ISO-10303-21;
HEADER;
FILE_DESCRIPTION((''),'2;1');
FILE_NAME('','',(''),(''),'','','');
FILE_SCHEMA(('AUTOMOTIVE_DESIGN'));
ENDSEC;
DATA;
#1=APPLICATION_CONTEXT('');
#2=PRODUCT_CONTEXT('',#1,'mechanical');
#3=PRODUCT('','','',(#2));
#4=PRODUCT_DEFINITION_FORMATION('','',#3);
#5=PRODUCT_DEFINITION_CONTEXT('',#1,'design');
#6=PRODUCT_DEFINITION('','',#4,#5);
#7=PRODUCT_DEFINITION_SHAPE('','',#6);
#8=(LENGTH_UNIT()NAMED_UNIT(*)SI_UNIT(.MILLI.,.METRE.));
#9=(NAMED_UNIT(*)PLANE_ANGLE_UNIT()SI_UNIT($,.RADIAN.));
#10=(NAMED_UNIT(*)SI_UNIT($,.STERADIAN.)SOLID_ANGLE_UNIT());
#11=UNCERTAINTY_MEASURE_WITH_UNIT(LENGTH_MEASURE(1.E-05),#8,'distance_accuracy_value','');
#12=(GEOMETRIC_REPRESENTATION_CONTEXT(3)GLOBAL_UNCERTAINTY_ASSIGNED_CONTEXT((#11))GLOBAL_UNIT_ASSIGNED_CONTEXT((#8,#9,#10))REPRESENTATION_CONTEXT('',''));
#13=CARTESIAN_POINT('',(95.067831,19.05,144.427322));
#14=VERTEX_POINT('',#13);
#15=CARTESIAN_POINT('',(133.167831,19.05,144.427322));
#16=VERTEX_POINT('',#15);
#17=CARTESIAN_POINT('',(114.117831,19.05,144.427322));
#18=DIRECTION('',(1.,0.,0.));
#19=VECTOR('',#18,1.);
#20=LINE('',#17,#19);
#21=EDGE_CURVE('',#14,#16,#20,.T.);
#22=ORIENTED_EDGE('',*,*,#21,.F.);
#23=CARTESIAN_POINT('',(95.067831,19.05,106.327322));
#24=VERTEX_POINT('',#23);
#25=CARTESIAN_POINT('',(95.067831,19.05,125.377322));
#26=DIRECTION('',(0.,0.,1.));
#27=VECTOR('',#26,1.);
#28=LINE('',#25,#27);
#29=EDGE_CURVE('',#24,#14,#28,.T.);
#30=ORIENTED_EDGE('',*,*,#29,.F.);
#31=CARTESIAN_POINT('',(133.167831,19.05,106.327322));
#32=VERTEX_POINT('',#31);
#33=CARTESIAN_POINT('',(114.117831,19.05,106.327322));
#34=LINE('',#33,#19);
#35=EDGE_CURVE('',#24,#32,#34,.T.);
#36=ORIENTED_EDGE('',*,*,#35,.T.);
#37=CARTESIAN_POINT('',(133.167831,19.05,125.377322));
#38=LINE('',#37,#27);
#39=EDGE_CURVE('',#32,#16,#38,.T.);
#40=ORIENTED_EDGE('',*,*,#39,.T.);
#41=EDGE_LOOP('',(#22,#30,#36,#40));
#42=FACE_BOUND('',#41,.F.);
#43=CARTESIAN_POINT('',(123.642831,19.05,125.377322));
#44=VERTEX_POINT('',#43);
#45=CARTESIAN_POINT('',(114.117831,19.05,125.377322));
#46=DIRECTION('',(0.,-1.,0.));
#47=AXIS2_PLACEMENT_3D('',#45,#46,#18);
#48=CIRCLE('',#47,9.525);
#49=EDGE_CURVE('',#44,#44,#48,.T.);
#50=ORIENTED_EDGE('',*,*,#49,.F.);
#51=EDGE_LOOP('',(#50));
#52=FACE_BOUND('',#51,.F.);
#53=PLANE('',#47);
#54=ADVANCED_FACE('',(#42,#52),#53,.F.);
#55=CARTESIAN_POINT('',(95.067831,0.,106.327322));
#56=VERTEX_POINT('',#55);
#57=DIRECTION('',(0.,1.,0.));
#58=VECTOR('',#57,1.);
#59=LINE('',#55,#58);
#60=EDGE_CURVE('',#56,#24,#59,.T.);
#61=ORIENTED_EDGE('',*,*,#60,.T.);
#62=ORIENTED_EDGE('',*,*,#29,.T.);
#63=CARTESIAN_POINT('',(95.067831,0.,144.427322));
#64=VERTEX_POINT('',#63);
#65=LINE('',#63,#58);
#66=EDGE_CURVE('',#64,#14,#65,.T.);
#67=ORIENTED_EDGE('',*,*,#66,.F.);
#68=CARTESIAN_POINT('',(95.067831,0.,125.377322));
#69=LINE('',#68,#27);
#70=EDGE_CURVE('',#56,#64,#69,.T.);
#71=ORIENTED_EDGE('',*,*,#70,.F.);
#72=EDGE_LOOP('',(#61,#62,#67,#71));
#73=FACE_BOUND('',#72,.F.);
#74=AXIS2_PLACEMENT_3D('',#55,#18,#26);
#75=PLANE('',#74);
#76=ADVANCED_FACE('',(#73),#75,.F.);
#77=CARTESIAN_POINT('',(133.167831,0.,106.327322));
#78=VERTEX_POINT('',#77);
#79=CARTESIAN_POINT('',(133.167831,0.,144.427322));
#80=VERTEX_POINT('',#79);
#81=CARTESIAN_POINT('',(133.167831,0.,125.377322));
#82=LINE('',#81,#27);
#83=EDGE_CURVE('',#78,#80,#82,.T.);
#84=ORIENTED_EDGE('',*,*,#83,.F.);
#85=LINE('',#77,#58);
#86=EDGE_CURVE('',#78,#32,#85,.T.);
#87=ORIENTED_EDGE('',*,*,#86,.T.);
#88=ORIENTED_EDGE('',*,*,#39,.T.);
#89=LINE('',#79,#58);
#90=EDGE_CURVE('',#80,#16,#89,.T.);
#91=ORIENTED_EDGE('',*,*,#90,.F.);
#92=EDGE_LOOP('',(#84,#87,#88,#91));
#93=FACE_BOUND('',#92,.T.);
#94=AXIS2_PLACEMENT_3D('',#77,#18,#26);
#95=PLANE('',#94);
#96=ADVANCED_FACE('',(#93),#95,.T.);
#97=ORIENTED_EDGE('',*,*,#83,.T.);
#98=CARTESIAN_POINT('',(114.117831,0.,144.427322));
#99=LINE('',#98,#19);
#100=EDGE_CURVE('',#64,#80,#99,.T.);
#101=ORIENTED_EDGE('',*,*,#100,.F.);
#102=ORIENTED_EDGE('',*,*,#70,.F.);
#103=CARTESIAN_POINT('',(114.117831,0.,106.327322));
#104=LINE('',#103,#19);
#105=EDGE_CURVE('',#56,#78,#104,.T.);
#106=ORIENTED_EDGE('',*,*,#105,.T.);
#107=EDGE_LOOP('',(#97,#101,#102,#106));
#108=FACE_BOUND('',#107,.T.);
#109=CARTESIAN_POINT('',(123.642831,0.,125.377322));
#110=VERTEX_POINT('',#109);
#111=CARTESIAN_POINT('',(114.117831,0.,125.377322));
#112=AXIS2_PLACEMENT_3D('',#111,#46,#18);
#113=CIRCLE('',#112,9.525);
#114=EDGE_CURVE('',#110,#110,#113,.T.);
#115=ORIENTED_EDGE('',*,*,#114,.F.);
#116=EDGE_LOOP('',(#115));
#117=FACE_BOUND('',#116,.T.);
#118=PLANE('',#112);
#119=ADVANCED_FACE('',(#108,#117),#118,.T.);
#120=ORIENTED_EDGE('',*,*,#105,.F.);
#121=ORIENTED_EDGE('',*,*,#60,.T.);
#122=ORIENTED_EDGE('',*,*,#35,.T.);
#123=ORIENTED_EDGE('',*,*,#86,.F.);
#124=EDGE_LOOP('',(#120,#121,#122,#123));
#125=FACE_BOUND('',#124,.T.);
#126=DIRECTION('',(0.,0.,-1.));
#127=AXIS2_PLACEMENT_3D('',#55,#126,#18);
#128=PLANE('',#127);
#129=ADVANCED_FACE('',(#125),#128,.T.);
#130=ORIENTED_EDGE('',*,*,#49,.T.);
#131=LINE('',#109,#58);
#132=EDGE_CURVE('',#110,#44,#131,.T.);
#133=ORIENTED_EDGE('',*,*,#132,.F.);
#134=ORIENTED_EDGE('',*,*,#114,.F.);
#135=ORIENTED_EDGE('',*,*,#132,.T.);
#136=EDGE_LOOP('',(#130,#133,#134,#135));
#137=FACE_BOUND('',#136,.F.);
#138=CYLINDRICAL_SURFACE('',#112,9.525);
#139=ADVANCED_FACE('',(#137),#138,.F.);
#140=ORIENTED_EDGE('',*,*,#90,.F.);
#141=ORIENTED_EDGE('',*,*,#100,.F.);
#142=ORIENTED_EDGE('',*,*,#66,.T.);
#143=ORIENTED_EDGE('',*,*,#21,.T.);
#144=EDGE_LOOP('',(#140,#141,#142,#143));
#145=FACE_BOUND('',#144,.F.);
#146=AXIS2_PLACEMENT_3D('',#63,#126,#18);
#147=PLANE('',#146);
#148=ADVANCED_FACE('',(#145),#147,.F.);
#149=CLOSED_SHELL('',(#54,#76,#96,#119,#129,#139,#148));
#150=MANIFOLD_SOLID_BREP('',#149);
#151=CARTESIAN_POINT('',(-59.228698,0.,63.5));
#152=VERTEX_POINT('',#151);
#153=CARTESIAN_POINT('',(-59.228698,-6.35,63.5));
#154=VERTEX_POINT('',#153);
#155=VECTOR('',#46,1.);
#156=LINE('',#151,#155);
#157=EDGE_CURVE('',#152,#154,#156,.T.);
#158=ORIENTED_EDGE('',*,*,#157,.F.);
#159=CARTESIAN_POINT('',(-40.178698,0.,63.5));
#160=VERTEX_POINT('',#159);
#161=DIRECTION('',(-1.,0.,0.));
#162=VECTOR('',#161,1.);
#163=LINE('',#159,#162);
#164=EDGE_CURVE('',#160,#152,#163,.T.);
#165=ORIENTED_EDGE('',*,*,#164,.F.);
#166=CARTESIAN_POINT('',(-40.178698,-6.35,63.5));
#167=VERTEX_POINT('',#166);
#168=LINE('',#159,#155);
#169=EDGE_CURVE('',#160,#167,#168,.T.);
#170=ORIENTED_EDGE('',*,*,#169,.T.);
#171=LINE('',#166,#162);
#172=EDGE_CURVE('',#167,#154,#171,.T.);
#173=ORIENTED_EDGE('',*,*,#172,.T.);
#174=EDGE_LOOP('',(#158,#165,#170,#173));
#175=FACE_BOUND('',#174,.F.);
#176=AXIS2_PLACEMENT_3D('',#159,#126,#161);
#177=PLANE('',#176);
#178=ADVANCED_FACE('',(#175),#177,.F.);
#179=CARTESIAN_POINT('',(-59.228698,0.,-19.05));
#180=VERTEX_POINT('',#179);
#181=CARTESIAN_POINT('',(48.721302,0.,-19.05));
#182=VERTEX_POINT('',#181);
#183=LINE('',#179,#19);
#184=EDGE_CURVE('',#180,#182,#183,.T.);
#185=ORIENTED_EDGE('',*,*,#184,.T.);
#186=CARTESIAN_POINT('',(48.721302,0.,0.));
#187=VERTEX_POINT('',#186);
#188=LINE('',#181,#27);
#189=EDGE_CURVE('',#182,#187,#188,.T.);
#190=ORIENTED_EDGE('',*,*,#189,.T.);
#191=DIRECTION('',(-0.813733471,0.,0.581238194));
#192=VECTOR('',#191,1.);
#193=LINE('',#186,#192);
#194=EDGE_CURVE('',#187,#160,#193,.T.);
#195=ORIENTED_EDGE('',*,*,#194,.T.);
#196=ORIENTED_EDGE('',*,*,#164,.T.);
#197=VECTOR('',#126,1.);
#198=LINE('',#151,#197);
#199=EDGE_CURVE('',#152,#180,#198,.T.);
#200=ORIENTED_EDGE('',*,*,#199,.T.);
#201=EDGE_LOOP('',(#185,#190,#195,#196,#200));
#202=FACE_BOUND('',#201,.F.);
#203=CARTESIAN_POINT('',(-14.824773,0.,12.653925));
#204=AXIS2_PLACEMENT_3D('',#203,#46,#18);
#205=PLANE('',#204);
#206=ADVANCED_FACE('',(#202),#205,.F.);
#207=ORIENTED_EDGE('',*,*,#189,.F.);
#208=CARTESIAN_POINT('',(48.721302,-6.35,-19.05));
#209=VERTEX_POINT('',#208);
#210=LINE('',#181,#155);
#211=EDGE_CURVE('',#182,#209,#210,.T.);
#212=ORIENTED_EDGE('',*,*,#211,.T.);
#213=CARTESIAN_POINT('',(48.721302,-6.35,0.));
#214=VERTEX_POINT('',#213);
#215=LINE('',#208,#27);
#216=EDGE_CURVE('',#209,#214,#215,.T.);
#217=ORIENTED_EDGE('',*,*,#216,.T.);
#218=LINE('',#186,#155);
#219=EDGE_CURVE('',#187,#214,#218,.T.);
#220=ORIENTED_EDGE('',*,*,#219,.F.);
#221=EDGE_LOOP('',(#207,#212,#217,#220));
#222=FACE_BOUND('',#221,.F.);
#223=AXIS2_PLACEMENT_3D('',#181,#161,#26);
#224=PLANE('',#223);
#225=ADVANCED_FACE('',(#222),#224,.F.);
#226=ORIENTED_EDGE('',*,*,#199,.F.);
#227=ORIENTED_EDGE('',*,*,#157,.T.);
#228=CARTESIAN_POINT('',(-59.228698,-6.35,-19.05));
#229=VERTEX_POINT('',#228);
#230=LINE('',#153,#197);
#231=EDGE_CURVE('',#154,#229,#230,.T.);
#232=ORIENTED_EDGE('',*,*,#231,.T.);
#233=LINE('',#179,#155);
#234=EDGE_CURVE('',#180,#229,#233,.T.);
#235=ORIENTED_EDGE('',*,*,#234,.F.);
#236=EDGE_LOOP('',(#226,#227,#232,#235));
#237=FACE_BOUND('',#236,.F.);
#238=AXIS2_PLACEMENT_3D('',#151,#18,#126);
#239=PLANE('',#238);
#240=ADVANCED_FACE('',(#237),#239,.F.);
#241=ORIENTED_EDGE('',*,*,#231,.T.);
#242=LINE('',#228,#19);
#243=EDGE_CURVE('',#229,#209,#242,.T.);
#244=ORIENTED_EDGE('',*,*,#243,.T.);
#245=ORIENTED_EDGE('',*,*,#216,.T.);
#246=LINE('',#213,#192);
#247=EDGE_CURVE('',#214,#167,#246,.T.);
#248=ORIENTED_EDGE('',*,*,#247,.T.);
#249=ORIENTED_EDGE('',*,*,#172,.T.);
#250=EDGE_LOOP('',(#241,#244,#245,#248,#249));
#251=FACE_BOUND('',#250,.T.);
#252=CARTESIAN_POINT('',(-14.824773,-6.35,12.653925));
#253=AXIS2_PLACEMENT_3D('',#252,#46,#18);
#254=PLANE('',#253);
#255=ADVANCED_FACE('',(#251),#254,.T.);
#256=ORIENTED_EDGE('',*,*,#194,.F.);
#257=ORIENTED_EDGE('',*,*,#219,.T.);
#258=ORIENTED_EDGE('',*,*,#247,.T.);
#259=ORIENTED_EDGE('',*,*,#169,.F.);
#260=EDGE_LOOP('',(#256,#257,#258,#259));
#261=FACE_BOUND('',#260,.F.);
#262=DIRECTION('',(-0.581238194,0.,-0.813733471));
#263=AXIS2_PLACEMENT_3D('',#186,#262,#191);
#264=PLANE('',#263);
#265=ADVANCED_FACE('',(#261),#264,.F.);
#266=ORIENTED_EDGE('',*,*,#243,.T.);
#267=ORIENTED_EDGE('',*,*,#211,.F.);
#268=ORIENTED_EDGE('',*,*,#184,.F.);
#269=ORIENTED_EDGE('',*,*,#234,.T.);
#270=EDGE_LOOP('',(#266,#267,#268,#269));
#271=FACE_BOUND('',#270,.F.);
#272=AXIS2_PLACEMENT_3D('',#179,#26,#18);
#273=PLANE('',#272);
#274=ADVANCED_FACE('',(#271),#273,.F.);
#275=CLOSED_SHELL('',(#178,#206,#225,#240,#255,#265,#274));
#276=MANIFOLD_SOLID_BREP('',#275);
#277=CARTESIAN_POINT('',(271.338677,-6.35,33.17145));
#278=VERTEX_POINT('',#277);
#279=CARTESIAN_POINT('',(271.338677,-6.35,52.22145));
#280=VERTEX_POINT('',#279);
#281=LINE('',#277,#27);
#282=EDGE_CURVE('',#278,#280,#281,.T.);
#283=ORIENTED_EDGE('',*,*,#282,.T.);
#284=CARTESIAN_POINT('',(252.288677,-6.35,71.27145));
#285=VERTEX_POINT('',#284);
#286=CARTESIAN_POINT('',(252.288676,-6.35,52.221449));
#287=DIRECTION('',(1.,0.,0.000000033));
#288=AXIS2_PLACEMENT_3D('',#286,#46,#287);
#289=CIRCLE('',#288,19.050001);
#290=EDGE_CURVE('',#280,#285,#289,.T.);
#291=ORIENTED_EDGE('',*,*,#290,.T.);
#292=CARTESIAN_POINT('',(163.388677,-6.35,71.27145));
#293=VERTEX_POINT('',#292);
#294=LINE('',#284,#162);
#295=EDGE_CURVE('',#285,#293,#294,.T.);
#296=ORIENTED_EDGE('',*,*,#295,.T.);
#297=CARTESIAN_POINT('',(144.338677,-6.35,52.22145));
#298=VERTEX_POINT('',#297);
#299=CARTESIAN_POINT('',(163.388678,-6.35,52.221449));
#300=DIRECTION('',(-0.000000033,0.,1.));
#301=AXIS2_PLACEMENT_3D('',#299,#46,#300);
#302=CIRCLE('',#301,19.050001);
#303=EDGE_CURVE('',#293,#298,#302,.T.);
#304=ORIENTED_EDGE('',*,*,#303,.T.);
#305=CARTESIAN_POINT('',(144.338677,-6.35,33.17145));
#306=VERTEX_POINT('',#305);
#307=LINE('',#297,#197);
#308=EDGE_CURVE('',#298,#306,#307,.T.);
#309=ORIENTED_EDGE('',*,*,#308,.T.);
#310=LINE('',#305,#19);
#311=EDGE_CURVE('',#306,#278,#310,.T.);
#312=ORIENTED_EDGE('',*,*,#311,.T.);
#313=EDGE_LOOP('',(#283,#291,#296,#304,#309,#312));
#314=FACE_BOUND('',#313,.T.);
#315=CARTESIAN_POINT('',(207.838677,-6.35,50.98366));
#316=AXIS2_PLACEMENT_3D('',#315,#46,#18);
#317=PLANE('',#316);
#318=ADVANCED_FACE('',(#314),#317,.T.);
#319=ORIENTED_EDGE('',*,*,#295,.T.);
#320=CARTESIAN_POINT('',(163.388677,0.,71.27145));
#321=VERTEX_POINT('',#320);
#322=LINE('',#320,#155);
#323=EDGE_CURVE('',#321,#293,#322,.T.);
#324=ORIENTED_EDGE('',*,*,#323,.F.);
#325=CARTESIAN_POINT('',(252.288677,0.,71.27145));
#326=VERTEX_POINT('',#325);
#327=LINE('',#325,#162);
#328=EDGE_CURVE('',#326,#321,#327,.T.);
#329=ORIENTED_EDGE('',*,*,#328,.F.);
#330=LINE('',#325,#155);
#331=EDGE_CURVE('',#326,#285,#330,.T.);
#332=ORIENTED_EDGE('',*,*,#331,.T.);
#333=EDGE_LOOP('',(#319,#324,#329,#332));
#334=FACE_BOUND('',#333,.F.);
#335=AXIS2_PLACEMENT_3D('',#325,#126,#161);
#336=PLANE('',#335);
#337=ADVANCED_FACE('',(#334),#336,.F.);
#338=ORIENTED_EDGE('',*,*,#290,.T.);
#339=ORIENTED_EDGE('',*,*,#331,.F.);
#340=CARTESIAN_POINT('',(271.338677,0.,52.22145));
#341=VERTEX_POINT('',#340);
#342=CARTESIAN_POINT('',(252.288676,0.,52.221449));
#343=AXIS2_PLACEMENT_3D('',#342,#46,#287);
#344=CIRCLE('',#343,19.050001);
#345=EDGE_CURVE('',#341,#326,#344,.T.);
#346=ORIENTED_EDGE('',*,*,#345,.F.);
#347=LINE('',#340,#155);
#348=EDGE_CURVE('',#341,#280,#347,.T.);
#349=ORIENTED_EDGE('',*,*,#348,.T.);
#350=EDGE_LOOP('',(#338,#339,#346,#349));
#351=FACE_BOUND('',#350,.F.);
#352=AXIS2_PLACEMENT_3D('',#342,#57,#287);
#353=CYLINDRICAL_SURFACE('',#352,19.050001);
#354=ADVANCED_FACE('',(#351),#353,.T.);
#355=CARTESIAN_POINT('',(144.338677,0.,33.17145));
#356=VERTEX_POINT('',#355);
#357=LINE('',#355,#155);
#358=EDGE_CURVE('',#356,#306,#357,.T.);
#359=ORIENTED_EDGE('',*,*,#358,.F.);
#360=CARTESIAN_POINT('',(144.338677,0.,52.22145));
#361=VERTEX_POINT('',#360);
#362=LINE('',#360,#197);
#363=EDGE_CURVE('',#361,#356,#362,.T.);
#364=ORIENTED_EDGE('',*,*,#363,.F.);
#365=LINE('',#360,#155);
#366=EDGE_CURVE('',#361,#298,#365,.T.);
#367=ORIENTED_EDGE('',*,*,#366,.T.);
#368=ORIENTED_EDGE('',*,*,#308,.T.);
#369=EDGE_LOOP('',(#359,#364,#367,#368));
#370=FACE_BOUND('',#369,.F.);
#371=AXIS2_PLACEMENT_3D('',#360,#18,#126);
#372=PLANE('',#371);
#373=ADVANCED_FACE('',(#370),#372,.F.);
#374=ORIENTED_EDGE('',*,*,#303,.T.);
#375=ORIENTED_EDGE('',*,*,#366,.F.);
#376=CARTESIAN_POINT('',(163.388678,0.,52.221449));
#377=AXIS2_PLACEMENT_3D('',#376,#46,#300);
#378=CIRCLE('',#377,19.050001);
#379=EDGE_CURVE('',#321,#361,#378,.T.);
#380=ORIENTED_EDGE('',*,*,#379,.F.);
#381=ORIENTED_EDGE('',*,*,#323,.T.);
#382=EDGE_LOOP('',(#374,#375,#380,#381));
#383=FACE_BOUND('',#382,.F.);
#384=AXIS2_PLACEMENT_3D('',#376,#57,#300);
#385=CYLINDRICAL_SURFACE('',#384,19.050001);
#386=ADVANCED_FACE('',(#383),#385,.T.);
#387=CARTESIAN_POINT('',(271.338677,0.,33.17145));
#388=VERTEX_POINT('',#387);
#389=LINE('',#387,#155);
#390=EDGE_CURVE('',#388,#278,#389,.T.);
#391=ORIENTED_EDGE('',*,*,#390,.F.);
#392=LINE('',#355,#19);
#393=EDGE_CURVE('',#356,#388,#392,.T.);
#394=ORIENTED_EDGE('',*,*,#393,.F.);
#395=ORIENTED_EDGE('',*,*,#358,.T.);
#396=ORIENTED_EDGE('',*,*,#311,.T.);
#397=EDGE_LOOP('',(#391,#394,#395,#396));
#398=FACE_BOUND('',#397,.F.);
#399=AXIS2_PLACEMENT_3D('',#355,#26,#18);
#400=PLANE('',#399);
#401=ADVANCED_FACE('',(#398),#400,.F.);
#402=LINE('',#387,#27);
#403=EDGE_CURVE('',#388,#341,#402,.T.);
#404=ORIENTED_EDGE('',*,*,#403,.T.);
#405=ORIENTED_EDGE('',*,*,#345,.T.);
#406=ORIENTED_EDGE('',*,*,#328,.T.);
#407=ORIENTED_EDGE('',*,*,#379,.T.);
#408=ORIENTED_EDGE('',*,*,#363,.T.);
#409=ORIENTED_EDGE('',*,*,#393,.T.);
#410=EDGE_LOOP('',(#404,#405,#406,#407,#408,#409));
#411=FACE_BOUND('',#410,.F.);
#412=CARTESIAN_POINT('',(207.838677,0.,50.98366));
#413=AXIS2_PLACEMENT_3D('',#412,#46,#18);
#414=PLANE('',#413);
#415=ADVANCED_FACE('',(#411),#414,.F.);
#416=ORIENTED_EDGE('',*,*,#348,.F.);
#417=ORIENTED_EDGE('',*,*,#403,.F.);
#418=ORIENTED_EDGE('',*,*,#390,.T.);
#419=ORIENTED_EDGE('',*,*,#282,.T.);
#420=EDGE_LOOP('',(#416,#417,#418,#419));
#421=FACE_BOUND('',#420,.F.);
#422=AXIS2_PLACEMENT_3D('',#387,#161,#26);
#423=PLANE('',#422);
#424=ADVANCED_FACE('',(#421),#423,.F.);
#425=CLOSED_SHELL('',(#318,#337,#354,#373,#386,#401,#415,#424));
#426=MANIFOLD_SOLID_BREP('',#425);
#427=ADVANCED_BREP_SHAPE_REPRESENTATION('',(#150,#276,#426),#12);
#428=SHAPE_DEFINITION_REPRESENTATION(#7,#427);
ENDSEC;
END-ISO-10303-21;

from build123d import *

# Parameters (mm, degrees)
F1_DEPTH = 6.35
F3_DEPTH = 6.35
F4_W     = 38.1
F4_H     = 38.1
F4_R     = 9.525
F5_DEPTH = 19.05


with BuildPart() as f1:
    # F0 (on Front) → F1 (new body)
    with BuildSketch(Plane.XZ):
        Polygon((48.721302, 0), (-40.178698, 63.5), (-59.228698, 63.5), (-59.228698, -19.05), (48.721302, -19.05), align=None)
    extrude(amount=F1_DEPTH)


with BuildPart() as f3:
    # F2 (on Front) → F3 (new body)
    with BuildSketch(Plane.XZ):
        with BuildLine():
            Line((252.288677, 71.27145), (163.388677, 71.27145))
            ThreePointArc((163.388677, 71.27145), (149.918293, 65.691834), (144.338677, 52.22145))
            Line((144.338677, 52.22145), (144.338677, 33.17145))
            Line((144.338677, 33.17145), (271.338677, 33.17145))
            Line((271.338677, 33.17145), (271.338677, 52.22145))
            ThreePointArc((271.338677, 52.22145), (265.759061, 65.691834), (252.288677, 71.27145))
        make_face()
    extrude(amount=F3_DEPTH)


with BuildPart() as f5:
    # F4 (on Front) → F5 (new body)
    with BuildSketch(Plane.XZ):
        with Locations((114.117831, 125.377322)):
            Rectangle(F4_W, F4_H)
        with Locations((114.117831, 125.377322)):
            Circle(F4_R, mode=Mode.SUBTRACT)
    extrude(amount=-F5_DEPTH)


solid = Compound([f1.part, f3.part, f5.part])
